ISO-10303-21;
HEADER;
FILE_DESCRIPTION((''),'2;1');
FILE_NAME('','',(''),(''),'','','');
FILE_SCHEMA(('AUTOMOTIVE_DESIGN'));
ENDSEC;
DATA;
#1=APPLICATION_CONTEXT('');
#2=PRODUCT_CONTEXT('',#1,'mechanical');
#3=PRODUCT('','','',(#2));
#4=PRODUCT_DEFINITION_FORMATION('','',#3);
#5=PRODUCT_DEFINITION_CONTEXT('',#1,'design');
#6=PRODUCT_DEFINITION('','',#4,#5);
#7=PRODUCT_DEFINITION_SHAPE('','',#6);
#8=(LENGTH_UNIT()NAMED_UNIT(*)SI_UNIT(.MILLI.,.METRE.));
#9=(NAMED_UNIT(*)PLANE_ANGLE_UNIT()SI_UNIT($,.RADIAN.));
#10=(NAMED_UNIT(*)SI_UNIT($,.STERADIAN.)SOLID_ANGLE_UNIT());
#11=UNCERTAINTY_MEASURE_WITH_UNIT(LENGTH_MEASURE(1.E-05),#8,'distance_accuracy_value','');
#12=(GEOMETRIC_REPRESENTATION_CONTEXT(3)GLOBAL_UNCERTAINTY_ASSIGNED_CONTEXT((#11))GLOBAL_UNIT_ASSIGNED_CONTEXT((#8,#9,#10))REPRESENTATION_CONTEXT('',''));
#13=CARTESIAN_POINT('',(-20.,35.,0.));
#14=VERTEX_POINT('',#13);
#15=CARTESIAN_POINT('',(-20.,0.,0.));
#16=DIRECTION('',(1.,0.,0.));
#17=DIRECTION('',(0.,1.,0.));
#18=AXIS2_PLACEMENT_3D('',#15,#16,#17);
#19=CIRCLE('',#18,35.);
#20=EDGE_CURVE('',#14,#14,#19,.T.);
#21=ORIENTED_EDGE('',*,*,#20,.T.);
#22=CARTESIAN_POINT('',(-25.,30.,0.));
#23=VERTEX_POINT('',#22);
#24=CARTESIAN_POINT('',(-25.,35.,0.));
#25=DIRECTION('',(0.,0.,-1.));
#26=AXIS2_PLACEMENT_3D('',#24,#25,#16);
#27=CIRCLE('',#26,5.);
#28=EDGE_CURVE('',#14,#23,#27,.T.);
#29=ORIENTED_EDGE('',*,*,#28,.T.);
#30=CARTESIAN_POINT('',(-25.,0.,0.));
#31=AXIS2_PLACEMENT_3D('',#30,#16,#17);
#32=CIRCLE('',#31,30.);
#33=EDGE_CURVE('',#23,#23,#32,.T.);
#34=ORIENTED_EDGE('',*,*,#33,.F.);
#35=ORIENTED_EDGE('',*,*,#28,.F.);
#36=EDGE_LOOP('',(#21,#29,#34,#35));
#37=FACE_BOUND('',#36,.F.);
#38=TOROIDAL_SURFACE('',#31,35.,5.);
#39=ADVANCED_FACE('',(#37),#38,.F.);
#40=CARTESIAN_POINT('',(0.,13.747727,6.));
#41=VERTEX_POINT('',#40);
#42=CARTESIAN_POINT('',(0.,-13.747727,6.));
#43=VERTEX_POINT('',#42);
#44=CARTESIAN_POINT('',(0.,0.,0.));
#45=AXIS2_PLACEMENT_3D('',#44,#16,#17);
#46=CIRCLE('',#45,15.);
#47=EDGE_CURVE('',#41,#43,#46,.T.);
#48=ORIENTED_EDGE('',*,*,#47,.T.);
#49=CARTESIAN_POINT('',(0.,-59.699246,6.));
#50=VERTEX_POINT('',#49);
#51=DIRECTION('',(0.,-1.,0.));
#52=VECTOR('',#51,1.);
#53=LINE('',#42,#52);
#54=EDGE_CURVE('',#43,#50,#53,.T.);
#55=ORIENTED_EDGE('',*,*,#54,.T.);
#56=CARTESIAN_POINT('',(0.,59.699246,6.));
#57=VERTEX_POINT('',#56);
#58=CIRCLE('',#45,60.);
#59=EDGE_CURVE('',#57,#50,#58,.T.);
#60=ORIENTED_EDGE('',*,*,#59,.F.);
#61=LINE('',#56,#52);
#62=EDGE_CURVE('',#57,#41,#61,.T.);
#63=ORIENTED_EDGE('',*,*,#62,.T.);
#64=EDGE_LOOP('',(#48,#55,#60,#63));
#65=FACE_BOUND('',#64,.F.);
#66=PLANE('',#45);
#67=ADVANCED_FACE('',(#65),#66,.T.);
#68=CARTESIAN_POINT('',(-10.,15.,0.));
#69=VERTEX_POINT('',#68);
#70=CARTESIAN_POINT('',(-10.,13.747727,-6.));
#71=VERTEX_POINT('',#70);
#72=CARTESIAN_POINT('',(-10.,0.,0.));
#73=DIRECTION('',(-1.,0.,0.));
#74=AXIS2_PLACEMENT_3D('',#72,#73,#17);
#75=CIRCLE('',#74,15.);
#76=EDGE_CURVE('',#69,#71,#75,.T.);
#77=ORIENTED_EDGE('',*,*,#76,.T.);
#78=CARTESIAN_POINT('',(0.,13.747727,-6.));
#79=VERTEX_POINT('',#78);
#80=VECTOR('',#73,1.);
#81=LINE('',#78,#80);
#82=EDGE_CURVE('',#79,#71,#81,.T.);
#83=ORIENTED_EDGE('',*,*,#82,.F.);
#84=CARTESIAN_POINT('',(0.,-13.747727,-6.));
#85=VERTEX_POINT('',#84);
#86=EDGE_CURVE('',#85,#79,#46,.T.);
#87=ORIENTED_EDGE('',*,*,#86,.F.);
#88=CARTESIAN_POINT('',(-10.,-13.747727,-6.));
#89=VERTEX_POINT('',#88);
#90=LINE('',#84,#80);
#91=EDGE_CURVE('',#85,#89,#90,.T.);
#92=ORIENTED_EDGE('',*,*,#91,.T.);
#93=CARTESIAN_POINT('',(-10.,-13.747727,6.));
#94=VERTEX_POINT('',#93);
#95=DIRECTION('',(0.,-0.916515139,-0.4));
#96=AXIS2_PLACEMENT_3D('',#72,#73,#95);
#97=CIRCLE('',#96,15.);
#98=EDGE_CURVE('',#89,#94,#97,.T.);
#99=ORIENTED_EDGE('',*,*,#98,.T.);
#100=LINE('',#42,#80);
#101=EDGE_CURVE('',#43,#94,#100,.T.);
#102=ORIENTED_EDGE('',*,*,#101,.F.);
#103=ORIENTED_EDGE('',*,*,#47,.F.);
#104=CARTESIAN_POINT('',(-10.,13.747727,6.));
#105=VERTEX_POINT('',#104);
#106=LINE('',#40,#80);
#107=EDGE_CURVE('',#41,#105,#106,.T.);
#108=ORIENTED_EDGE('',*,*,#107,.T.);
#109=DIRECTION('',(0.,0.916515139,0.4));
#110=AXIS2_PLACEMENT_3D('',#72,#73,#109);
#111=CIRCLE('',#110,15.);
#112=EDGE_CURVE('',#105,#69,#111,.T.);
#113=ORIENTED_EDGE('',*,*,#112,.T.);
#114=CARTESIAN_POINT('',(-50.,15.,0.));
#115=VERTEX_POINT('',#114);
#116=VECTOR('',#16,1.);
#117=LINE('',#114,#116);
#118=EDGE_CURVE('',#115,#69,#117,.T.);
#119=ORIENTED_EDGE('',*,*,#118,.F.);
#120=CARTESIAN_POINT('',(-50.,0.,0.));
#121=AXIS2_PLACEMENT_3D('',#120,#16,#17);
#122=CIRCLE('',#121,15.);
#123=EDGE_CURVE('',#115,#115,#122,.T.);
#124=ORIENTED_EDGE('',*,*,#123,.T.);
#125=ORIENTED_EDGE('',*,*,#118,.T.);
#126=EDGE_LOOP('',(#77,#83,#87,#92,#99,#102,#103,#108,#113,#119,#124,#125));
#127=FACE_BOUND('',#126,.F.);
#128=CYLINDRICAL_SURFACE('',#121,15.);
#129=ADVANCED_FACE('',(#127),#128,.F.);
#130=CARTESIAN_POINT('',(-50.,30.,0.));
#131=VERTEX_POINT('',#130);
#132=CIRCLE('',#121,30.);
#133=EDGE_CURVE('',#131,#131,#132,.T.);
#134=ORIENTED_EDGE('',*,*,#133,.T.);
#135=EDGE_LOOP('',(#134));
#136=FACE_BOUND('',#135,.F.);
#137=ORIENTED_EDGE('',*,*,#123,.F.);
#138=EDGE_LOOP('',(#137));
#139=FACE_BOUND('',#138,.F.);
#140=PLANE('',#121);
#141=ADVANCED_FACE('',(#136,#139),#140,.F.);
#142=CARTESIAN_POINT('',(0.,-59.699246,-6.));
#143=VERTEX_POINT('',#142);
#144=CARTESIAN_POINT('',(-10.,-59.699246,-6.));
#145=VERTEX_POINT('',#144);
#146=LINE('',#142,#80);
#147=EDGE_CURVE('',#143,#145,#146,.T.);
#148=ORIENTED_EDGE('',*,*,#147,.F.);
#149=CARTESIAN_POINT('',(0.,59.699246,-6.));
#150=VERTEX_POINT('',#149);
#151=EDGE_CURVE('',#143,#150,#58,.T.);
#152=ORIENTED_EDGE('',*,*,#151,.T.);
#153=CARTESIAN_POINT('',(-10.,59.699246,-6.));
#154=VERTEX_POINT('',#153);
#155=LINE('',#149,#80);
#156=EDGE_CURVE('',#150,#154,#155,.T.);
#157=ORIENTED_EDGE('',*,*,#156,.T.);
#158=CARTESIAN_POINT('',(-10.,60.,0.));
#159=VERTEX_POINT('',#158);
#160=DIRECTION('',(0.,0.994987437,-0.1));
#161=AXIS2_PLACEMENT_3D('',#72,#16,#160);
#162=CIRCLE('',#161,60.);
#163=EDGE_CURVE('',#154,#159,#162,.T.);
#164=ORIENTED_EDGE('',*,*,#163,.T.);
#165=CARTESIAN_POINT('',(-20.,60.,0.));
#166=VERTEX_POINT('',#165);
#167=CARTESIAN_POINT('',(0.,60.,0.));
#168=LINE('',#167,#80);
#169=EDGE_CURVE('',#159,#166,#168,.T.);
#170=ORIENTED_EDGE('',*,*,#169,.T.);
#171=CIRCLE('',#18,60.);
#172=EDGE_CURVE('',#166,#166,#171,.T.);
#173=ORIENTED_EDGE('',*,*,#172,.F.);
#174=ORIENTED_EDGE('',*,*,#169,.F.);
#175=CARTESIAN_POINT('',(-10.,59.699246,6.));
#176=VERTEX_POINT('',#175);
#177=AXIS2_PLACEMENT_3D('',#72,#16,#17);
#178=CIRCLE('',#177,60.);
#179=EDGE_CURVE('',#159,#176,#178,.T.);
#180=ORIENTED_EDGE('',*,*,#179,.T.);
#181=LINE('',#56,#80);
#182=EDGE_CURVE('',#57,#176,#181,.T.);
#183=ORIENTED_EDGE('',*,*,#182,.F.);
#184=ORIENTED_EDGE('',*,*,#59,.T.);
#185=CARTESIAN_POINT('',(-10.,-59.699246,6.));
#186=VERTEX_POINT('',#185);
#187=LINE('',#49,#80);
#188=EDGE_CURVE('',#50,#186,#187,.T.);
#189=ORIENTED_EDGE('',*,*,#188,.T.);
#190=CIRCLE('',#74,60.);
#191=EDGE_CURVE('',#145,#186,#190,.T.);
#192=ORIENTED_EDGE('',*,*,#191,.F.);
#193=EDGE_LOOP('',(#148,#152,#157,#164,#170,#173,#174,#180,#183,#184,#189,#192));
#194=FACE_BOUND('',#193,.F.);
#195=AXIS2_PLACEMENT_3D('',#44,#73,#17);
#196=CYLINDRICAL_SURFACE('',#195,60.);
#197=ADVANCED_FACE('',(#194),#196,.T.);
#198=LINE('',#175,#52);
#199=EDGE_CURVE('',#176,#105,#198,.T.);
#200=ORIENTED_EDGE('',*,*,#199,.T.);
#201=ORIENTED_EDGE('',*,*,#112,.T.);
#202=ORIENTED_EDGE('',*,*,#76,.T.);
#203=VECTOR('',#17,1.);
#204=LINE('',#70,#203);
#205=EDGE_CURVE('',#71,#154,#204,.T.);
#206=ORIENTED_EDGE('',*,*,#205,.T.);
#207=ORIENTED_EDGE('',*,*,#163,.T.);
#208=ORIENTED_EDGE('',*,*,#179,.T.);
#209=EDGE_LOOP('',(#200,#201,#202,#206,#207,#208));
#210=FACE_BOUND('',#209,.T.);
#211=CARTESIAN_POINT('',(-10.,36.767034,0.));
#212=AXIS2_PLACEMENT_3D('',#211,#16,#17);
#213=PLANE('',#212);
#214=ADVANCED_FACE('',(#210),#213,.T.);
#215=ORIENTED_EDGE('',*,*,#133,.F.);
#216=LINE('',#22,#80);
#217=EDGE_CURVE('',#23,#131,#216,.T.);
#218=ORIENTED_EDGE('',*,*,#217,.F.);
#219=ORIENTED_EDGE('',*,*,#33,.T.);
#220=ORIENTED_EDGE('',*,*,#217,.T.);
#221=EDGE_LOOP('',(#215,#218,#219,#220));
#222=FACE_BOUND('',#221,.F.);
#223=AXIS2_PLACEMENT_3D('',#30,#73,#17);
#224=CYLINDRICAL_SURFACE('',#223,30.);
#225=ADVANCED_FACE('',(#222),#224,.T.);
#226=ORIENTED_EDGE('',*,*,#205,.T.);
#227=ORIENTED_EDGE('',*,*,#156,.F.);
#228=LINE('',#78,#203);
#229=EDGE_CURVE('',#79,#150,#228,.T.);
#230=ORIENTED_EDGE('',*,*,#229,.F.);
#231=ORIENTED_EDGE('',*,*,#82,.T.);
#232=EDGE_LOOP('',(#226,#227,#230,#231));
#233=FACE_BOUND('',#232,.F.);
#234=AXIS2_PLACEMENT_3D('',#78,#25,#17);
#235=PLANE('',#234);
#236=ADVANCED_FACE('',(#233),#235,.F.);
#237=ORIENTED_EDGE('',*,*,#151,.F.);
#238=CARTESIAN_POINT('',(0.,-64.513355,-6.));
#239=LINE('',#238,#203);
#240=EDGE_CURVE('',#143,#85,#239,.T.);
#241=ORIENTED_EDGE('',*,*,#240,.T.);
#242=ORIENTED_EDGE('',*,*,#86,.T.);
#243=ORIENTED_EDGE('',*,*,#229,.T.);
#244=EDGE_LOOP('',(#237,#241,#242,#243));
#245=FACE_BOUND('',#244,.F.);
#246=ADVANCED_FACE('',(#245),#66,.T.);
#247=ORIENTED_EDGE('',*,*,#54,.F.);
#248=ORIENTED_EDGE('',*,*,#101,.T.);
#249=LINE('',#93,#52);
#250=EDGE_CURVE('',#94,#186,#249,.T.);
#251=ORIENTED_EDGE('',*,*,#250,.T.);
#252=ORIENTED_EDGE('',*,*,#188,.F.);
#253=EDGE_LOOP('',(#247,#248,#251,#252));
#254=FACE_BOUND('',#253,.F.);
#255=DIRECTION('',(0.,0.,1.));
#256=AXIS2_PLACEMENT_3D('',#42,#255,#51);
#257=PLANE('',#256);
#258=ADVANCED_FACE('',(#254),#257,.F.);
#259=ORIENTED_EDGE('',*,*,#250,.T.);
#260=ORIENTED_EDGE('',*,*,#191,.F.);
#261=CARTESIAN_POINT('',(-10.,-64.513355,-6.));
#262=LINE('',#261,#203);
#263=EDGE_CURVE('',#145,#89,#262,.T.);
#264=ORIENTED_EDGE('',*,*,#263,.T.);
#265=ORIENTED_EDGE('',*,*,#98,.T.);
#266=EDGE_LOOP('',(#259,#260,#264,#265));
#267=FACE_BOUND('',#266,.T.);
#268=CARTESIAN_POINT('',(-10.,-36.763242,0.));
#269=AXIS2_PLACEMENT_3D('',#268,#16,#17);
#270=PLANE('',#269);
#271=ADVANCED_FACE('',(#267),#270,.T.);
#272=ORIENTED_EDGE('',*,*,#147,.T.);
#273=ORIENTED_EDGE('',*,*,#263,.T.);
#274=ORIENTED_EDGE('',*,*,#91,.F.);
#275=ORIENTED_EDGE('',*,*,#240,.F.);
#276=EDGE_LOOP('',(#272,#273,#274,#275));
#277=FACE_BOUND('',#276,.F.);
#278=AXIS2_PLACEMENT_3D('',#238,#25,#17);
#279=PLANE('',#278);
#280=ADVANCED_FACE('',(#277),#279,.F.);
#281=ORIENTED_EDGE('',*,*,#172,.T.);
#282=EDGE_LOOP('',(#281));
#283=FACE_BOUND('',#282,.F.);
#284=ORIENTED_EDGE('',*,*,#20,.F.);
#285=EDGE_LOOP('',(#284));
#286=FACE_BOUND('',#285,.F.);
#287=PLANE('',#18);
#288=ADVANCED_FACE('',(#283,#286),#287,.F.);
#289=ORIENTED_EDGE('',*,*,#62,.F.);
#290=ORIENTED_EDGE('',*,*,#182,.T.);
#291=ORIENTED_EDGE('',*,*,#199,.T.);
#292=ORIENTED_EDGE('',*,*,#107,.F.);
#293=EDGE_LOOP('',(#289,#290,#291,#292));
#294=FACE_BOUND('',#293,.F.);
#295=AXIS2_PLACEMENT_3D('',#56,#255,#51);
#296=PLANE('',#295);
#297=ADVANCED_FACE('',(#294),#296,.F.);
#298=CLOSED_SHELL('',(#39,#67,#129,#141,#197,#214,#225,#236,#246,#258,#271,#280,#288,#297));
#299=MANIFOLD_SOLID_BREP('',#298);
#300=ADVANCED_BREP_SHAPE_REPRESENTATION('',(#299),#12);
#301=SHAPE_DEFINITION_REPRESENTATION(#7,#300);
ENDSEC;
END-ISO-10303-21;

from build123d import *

# Parameters (mm, degrees)
F3_DEPTH = 10


with BuildPart() as f1:
    # F0 (on Top) → F1 (revolve)
    with BuildSketch(Plane.XY):
        with BuildLine():
            Line((-50, 15), (0, 15))
            Line((0, 15), (0, 60))
            Line((0, 60), (-20, 60))
            Line((-20, 60), (-20, 35))
            ThreePointArc((-20, 35), (-21.4644660941, 31.4644660941), (-25, 30))
            Line((-25, 30), (-50, 30))
            Line((-50, 30), (-50, 15))
        make_face()
    revolve(axis=Axis((-25, 0, 0), (1, 0, 0)))

    # F2 (on face) → F3 (cut)
    with BuildSketch(Plane.YZ):
        with BuildLine():
            Line((-13.7477270849, 6), (-59.6992462264, 6))
            ThreePointArc((-59.6992462264, 6), (-60, 0), (-59.6992462264, -6))
            Line((-59.6992462264, -6), (-13.7477270849, -6))
            ThreePointArc((-13.7477270849, -6), (-15, 0), (-13.7477270849, 6))
        make_face()
        with BuildLine():
            ThreePointArc((-59.6992462264, -6), (-60, 0), (-59.6992462264, 6))
            Line((-59.6992462264, 6), (-64.5133554935, 6))
            Line((-64.5133554935, 6), (-64.5133554935, -6))
            Line((-64.5133554935, -6), (-59.6992462264, -6))
        make_face()
        with BuildLine():
            ThreePointArc((59.6992462264, -6), (59.9247643866, -3.0037665036), (60, 0))
            ThreePointArc((60, 0), (59.9247643866, 3.0037665036), (59.6992462264, 6))
            Line((59.6992462264, 6), (13.7477270849, 6))
            ThreePointArc((13.7477270849, 6), (14.683594694, 3.0646446553), (15, 0))
            ThreePointArc((15, 0), (14.683594694, -3.0646446553), (13.7477270849, -6))
            Line((13.7477270849, -6), (59.6992462264, -6))
        make_face()
    extrude(amount=-F3_DEPTH, mode=Mode.SUBTRACT)


solid = f1.part
